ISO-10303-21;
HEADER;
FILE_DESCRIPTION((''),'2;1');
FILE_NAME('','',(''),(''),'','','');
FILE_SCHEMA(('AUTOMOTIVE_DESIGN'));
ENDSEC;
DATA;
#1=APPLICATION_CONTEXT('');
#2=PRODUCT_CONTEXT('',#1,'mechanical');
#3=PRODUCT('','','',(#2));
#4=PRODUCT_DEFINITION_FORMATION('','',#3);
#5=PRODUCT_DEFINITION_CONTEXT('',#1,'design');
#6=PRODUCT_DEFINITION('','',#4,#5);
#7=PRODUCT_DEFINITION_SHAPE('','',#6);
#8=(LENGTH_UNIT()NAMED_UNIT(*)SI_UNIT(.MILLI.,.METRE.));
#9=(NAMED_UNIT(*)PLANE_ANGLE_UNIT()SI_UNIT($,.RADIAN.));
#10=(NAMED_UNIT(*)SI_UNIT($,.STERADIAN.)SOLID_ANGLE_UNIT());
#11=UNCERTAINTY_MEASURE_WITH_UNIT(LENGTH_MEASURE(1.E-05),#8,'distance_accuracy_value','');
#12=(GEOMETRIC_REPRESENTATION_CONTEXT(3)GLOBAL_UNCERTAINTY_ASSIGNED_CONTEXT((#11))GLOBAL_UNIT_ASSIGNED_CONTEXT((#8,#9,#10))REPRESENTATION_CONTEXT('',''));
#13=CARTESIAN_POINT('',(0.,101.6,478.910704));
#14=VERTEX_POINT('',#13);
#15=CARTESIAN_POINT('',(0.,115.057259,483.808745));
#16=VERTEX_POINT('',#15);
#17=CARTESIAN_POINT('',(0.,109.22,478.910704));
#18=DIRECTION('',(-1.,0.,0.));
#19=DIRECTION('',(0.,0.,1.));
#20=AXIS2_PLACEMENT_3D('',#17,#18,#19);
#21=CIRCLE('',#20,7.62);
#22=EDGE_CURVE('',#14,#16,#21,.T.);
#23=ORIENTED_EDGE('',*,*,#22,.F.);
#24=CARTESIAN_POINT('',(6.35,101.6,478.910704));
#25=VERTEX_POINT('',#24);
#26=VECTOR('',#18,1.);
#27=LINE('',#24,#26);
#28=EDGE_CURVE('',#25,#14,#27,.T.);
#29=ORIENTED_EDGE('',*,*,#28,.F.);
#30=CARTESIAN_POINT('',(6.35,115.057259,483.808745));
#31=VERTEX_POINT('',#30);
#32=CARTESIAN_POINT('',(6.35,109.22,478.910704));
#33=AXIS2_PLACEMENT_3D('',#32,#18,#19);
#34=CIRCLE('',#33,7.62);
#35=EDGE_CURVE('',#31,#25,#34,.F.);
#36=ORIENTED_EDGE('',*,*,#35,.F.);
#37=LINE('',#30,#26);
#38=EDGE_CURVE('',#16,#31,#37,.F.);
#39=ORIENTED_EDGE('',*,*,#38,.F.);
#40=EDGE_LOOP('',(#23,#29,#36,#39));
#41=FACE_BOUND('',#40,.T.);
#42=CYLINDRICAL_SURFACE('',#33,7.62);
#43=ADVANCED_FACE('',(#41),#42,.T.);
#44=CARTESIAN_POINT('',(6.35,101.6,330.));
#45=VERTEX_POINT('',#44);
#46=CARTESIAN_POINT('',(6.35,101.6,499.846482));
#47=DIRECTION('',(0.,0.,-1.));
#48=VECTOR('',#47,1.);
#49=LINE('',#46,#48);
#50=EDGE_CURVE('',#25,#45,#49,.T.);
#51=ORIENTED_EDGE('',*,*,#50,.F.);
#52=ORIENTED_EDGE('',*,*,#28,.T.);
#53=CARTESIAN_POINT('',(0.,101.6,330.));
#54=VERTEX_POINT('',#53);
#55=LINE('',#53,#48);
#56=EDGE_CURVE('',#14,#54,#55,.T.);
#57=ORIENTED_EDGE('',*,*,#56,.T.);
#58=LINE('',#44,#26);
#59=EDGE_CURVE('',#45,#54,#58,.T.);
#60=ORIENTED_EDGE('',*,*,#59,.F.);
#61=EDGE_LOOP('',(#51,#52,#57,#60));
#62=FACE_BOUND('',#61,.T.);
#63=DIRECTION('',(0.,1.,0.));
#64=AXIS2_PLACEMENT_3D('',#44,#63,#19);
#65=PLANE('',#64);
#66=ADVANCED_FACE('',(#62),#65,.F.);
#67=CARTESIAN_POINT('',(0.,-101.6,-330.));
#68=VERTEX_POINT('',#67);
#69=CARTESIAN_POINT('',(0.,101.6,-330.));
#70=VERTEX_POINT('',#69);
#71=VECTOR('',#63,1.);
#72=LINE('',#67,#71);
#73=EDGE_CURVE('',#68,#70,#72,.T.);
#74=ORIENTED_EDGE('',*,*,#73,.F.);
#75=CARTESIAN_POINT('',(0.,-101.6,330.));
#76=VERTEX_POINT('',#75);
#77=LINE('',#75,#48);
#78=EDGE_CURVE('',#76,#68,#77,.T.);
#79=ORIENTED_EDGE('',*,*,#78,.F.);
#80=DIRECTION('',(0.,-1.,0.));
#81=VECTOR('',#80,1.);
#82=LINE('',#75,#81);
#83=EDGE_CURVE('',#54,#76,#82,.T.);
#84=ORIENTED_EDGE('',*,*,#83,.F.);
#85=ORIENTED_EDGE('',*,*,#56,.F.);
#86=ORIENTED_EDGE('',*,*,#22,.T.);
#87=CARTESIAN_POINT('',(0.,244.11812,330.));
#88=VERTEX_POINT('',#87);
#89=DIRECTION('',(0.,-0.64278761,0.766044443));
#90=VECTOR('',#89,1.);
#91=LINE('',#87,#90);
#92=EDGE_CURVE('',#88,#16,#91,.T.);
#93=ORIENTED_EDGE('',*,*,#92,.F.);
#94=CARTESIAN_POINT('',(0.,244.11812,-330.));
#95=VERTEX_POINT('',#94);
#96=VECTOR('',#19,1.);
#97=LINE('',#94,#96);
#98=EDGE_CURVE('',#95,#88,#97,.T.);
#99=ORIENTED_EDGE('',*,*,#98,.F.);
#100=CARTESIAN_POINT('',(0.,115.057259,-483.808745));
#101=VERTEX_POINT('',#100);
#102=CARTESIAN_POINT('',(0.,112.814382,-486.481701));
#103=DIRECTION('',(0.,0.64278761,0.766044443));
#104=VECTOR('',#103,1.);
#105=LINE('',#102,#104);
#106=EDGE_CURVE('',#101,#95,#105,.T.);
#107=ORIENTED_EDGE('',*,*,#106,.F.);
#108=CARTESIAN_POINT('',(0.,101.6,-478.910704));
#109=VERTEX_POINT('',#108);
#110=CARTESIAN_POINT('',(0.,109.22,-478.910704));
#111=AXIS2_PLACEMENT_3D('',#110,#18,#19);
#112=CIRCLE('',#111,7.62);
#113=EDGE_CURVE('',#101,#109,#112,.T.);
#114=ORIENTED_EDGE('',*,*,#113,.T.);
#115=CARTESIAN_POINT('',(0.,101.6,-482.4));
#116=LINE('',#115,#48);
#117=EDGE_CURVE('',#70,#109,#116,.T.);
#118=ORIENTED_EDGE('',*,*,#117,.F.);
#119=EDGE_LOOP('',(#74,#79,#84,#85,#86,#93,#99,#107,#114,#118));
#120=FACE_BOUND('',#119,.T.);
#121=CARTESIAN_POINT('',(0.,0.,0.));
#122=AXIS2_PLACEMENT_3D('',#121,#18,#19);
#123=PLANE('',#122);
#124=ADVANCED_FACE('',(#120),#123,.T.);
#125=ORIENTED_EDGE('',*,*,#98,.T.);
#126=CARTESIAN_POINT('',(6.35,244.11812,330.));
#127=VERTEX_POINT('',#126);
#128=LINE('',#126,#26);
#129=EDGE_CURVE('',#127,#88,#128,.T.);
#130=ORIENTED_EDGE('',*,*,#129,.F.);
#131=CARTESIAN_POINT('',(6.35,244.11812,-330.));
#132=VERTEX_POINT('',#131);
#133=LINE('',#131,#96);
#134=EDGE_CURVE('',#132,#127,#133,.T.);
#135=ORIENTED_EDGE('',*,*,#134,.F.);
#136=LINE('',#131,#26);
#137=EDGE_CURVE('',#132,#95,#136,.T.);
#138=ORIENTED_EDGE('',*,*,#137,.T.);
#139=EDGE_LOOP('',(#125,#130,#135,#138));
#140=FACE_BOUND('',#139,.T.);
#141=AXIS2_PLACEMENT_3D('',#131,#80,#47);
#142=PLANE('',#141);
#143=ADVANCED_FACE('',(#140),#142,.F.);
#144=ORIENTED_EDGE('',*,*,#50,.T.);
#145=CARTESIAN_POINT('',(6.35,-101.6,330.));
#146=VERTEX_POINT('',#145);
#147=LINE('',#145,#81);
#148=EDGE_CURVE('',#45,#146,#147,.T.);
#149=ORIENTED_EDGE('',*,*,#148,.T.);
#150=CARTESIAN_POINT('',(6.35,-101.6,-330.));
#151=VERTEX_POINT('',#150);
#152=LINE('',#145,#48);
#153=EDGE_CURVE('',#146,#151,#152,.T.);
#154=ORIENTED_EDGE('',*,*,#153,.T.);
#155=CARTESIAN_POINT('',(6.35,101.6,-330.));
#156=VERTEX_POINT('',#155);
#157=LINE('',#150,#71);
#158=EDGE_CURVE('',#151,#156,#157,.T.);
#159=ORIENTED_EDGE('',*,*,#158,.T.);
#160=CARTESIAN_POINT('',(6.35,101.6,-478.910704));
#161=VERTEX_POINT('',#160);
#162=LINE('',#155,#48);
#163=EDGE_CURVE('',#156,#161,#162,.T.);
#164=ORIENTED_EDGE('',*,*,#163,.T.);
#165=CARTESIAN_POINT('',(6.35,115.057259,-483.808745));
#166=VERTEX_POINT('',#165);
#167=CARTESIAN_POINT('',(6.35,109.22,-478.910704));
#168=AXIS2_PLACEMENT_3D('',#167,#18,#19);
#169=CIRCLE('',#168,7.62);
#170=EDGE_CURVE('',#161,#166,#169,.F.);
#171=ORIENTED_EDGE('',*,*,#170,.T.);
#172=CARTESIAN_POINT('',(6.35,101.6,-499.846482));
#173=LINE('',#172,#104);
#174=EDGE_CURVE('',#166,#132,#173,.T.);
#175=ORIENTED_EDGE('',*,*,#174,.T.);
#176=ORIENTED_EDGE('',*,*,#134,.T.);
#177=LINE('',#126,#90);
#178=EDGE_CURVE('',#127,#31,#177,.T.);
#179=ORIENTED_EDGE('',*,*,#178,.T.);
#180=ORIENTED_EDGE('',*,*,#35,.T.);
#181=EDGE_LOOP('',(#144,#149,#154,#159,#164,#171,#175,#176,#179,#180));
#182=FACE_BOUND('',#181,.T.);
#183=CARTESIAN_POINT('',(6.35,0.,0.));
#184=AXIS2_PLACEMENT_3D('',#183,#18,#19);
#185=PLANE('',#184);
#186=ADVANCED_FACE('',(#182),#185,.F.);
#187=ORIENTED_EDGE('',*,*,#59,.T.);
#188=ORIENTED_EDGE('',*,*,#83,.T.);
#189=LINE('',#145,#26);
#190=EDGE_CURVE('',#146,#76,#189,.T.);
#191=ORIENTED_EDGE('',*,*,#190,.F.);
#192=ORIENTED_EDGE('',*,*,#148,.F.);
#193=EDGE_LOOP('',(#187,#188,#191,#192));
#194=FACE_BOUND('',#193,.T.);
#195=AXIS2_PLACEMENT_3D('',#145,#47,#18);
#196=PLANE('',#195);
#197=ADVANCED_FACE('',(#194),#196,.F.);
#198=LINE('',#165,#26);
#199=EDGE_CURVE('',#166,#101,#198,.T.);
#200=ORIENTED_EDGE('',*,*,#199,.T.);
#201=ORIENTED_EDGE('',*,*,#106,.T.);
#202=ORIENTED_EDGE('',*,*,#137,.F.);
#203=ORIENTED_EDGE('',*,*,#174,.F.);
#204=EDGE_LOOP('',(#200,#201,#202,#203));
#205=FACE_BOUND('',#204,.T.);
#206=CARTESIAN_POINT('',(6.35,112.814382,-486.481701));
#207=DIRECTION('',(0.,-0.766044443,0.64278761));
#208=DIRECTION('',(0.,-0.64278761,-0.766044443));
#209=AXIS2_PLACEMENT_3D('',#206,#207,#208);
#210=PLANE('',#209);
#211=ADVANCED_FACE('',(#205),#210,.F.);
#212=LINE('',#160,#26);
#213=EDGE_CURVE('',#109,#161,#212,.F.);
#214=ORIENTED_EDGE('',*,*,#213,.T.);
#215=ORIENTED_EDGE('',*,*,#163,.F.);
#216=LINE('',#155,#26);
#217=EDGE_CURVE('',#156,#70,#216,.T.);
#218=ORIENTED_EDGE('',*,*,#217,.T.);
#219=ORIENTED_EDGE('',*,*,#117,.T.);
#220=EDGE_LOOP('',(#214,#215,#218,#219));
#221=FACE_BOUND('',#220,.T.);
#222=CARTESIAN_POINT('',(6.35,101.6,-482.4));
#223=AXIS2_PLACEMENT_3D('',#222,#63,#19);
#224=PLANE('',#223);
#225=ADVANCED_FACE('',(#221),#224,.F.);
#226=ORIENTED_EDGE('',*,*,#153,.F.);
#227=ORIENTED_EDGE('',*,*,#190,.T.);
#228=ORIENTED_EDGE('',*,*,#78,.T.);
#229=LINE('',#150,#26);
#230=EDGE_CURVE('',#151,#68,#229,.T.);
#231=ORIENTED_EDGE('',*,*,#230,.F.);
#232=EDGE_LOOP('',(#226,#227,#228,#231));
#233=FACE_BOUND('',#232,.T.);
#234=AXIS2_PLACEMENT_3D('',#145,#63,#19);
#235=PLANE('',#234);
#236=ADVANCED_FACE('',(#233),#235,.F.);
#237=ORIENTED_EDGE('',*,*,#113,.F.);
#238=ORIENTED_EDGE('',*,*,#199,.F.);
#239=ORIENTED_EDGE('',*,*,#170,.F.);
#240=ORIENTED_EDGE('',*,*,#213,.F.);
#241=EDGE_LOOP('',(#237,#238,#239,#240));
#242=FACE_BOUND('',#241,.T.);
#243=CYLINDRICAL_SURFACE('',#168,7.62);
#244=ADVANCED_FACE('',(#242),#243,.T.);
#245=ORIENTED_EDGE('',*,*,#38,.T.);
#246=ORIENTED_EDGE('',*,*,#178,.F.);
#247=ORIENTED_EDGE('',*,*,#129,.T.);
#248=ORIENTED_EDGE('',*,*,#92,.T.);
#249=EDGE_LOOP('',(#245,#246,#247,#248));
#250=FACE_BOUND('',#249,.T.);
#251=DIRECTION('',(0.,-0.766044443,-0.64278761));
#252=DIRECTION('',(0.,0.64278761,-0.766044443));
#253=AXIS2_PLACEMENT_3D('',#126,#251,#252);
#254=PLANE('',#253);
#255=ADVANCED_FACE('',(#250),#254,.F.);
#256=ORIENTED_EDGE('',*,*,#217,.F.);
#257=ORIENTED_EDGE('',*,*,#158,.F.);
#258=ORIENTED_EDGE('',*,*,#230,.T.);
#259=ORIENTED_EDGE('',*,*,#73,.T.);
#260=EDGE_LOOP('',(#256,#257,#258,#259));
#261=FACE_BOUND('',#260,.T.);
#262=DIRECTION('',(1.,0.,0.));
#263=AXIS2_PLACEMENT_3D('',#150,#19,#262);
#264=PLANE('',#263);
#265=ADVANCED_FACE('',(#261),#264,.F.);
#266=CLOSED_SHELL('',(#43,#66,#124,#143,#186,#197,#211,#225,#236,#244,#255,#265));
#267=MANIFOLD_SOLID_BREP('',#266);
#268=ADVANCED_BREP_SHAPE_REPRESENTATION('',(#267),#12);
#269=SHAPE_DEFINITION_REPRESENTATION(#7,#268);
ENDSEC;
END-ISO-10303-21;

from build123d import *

# Parameters (mm, degrees)
BOSS_EXTRUDE1_DEPTH = 6.35
FILLET1_R           = 7.62


with BuildPart() as part:
    # Sketch1 → Boss-Extrude1 (new body)
    with BuildSketch(Plane(origin=(0, 0, 0), x_dir=(0, 0, -1), z_dir=(1, 0, 0))):
        Polygon((330, 101.6), (482.4, 101.6), (499.846481614, 101.6), (486.481701322, 112.814382214), (330, 244.118120079), (-330, 244.118120079), (-499.846481614, 101.6), (-482.4, 101.6), (-330, 101.6), (-330, -101.6), (330, -101.6), align=None)
    extrude(amount=BOSS_EXTRUDE1_DEPTH)

    # Fillet1
    fillet1_edges = [part.edges().sort_by_distance(p)[0] for p in [
        (3.175, 101.6, 499.846481614),
        (3.175, 101.6, -499.846481614),
    ]]
    fillet(fillet1_edges, radius=FILLET1_R)


solid = part.part
